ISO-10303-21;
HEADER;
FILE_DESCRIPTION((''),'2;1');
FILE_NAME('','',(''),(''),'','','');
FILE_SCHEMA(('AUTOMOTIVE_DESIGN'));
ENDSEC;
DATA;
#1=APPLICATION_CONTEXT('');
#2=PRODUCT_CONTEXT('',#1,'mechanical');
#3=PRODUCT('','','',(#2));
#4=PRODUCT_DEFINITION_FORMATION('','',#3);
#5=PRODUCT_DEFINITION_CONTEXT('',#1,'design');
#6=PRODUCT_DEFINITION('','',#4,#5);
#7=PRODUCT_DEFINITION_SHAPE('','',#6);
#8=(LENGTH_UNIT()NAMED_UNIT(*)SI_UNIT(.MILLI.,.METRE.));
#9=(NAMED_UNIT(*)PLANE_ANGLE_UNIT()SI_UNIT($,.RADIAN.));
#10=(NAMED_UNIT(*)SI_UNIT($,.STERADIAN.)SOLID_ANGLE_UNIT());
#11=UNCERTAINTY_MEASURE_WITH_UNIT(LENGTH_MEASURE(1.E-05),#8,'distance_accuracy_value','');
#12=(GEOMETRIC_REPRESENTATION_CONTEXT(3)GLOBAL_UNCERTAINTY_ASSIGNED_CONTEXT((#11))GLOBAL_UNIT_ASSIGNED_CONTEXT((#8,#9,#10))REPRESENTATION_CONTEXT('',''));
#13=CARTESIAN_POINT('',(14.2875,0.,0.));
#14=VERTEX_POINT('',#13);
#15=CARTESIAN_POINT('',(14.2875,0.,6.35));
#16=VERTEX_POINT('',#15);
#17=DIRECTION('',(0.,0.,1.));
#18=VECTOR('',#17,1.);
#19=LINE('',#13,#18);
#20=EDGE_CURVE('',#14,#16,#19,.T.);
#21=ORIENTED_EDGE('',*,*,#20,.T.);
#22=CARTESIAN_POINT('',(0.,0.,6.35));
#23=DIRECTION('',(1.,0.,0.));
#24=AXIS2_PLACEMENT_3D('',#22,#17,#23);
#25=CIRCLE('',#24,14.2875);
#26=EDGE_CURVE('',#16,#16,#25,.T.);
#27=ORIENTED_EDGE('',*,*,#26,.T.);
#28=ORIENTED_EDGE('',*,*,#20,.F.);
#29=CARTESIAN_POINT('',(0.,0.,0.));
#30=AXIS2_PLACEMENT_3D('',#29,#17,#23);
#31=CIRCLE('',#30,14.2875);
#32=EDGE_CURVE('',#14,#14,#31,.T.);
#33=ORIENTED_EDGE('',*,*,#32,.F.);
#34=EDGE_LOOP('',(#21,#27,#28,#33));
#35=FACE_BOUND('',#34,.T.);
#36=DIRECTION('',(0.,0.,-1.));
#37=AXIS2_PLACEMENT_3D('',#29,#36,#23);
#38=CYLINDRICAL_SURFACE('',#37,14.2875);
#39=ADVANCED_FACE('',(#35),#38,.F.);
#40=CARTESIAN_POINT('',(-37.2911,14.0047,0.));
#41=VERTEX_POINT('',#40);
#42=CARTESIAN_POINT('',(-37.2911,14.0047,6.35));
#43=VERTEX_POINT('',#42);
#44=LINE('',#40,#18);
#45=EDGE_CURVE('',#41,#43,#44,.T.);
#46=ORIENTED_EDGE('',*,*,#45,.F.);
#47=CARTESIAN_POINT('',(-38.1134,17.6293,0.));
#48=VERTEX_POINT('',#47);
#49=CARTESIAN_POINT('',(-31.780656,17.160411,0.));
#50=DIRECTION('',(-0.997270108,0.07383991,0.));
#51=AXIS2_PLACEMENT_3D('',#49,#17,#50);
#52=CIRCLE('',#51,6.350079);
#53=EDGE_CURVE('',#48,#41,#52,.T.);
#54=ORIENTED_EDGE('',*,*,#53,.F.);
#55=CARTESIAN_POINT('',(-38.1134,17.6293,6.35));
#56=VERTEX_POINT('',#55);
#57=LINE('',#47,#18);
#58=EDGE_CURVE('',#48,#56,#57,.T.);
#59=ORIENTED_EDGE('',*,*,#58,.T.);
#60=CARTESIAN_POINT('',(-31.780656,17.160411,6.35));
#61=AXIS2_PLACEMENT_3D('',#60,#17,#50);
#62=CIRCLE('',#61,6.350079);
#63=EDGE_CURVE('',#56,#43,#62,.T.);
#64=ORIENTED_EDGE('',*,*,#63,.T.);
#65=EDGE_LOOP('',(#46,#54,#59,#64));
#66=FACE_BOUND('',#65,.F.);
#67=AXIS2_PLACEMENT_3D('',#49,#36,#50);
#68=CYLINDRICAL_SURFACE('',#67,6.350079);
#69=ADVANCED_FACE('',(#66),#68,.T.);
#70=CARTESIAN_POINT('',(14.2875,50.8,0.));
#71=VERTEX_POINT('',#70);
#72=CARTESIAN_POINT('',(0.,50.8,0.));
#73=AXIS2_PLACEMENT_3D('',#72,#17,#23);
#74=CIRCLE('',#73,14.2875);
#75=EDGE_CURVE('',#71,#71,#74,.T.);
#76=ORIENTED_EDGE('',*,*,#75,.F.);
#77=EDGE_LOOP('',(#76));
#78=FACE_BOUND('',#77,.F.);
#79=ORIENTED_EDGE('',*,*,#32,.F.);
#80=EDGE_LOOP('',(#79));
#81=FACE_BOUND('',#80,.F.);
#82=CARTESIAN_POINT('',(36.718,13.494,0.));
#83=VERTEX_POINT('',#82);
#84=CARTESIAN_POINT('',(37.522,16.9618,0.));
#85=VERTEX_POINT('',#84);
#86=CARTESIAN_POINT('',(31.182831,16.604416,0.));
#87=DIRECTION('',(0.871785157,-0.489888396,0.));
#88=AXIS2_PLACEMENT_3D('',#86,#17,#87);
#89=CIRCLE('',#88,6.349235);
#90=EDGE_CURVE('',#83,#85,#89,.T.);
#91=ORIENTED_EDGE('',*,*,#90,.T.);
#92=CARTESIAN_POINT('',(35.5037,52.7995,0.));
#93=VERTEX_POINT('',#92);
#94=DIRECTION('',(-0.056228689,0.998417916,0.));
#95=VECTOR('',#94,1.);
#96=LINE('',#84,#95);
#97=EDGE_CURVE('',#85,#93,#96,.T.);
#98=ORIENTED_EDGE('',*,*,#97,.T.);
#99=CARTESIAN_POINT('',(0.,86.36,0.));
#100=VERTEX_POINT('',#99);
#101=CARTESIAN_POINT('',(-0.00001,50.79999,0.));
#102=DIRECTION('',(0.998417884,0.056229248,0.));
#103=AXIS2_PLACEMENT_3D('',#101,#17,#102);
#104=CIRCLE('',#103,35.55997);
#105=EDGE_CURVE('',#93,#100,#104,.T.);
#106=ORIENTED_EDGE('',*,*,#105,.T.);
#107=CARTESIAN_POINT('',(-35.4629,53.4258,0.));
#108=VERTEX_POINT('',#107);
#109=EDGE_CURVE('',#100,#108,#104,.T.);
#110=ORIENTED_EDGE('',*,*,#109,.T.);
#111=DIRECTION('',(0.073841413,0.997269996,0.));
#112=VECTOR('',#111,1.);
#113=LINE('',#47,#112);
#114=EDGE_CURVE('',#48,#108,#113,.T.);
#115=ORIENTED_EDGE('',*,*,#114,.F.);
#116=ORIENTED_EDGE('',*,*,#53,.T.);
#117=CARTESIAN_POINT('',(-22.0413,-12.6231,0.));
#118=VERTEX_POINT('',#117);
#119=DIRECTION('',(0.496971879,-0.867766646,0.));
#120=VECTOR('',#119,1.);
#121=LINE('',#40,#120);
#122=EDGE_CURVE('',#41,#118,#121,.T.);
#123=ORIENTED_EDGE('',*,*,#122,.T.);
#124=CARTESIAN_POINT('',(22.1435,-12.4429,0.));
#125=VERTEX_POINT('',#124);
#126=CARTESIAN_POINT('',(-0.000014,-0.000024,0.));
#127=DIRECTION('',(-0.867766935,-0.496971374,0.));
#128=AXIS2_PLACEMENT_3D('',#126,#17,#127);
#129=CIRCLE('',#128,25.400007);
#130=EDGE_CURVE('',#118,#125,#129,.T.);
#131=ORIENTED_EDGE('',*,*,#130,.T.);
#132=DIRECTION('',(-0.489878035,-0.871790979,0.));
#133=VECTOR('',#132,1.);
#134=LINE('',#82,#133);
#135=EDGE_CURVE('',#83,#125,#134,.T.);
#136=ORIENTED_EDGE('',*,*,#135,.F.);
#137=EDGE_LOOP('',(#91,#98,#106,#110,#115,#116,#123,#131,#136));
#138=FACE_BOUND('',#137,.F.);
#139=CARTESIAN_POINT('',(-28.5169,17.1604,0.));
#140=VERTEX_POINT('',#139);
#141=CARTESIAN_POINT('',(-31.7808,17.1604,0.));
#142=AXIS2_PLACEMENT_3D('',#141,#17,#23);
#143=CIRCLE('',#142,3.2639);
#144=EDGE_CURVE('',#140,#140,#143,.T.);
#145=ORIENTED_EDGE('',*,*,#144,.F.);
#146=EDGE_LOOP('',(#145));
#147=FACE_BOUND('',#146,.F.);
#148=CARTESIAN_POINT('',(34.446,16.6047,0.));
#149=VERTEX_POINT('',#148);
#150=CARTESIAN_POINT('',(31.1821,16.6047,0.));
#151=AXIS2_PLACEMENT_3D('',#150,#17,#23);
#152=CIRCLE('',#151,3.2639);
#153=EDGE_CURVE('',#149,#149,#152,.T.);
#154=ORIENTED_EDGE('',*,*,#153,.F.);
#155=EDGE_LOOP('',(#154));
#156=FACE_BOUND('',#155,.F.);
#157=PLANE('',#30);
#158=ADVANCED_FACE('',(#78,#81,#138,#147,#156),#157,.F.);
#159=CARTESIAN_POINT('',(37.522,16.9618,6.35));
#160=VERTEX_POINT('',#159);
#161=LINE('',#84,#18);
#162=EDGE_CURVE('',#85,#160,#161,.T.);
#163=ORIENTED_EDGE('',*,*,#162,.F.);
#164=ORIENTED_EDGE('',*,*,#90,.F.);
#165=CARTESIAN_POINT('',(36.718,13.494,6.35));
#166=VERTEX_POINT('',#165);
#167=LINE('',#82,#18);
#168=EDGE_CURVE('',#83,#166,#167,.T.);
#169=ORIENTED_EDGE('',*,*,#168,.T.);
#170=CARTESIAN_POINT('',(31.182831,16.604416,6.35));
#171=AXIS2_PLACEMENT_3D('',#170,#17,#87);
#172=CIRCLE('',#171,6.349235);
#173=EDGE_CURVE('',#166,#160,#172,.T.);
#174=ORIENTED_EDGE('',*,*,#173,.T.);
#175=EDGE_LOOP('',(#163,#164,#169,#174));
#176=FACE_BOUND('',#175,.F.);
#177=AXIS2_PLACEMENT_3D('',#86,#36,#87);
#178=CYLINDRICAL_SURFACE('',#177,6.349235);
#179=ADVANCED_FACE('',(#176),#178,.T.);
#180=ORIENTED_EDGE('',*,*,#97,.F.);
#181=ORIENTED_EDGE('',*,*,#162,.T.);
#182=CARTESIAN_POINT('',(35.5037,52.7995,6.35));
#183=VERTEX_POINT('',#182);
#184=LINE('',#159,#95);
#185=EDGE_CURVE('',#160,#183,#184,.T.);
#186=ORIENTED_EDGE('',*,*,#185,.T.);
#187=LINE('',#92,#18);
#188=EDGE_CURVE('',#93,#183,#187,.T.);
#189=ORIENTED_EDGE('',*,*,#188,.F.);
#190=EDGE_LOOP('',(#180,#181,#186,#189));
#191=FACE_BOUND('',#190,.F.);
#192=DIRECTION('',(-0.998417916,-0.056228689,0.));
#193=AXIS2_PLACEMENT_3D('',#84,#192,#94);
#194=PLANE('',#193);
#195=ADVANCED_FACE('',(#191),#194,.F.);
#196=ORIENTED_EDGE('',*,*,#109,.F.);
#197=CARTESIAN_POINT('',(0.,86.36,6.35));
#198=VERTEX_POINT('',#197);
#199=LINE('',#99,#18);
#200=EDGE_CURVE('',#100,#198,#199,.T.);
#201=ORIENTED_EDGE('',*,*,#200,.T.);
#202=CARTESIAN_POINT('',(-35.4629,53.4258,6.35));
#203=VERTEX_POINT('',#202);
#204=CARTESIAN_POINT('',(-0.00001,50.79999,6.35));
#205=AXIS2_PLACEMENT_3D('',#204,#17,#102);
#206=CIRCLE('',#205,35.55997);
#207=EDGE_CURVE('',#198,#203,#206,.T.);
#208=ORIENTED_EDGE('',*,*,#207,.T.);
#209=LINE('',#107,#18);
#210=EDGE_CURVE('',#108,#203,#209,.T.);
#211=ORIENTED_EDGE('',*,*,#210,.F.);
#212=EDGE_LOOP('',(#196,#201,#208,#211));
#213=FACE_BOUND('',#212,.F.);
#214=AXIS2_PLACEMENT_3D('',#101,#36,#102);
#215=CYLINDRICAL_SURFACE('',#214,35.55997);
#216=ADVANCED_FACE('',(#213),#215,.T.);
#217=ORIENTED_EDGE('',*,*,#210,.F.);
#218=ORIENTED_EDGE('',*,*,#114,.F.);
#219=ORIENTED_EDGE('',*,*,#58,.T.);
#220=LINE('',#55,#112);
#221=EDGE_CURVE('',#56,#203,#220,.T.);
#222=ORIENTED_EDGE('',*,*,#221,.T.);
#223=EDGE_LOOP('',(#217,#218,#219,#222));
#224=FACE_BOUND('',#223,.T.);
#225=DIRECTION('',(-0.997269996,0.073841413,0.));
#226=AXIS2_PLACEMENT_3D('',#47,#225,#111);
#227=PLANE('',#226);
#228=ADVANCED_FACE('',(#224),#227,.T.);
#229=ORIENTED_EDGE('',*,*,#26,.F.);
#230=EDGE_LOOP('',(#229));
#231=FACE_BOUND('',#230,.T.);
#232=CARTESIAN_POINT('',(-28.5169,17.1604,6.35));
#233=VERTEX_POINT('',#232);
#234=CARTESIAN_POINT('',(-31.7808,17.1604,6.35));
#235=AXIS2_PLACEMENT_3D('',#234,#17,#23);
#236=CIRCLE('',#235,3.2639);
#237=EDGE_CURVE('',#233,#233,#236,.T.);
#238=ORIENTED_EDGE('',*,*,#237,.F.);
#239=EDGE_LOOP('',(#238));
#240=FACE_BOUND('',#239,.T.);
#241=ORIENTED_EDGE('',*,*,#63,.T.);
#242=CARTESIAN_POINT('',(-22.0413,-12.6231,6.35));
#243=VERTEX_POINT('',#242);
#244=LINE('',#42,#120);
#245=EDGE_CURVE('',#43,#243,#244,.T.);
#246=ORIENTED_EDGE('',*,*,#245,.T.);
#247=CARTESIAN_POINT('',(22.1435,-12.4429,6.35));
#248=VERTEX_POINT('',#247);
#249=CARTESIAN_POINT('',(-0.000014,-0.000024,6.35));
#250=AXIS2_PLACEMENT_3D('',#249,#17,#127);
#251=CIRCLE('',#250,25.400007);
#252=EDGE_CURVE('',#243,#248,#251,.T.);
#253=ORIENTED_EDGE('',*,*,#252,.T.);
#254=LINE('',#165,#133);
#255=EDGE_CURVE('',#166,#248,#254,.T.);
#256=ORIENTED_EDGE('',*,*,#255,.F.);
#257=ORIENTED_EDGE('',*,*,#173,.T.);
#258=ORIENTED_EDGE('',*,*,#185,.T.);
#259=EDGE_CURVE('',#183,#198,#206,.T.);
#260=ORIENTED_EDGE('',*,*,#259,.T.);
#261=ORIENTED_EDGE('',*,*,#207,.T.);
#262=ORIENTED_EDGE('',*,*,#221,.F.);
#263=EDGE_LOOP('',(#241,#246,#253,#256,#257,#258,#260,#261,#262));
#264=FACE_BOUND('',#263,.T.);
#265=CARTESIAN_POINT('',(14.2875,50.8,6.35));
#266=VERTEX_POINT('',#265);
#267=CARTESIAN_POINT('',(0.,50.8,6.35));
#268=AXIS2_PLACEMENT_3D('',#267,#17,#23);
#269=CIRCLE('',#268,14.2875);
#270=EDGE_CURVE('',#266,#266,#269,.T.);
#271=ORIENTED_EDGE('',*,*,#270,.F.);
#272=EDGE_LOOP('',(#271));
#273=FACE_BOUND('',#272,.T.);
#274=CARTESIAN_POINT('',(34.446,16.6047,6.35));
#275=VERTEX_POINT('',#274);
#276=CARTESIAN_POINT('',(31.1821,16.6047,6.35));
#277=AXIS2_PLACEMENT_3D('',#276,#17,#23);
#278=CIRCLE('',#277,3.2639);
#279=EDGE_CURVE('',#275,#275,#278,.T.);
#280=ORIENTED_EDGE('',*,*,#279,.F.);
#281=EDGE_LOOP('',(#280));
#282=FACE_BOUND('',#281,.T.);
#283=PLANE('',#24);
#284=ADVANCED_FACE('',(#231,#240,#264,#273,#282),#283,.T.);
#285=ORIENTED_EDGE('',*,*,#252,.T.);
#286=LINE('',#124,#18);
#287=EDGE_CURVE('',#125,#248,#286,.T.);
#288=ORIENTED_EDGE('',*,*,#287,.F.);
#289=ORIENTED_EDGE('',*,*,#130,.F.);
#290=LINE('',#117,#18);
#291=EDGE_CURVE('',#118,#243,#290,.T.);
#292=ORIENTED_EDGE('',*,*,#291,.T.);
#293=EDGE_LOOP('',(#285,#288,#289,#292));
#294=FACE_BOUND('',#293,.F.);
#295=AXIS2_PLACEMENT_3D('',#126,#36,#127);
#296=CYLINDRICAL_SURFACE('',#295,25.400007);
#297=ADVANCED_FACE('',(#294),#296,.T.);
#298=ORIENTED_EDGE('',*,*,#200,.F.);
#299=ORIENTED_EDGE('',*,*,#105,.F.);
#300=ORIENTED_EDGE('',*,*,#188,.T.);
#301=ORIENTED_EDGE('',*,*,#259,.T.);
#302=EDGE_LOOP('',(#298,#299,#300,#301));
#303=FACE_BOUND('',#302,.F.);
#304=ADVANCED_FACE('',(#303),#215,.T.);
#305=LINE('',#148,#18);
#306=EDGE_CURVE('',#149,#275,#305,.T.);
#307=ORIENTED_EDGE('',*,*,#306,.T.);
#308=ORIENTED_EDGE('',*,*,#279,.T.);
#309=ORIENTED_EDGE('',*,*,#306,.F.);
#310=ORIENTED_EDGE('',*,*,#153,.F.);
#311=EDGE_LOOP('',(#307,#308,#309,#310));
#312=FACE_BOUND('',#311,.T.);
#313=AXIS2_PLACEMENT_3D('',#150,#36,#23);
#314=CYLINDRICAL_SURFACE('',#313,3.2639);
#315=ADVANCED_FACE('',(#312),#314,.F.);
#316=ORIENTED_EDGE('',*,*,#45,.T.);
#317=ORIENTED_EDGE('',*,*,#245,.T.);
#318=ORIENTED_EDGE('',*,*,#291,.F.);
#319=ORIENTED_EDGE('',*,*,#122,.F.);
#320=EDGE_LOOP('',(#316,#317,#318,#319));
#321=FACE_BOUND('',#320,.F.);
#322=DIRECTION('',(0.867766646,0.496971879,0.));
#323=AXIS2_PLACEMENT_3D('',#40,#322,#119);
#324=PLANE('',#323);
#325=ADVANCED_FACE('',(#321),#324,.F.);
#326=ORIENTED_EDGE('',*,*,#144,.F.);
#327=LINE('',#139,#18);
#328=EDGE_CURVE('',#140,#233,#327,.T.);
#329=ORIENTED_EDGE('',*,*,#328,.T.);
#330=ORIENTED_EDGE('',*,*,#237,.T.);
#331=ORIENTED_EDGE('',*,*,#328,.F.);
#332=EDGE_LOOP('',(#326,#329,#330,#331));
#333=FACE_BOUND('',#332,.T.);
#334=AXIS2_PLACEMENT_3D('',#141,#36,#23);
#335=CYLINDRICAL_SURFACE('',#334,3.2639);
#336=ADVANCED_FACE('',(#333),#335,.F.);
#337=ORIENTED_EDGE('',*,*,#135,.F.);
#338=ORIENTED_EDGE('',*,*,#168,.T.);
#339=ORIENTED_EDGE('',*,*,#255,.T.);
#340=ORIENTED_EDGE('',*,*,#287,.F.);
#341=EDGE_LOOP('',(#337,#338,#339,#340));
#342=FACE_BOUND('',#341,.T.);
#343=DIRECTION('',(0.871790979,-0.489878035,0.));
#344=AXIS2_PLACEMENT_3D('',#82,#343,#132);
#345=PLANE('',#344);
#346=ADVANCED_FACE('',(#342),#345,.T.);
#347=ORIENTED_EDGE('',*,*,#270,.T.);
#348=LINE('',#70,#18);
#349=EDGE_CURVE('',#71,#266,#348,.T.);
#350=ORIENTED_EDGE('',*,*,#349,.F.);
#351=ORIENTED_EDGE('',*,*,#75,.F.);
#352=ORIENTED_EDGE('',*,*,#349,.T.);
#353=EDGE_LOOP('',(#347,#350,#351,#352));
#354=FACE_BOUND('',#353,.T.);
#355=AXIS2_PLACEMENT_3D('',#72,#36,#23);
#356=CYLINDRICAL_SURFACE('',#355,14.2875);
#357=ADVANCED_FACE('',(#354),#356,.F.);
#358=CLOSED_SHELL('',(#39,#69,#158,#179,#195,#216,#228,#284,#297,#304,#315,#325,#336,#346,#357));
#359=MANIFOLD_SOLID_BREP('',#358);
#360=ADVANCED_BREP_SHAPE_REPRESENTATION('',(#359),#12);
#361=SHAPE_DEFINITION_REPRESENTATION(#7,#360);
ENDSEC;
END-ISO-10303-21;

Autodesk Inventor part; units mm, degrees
ref_plane "YZ Plane" through (0, 0, 0) normal (1, 0, 0) x (0, 1, 0)
ref_plane "XZ Plane" through (0, 0, 0) normal (0, 1, 0) x (-1, 0, 0)
ref_plane "XY Plane" through (0, 0, 0) normal (0, 0, 1) x (1, 0, 0)
sketch "Sketch1" plane through (0, 0, 0) normal (0, 0, 1) x (1, 0, 0)
  circle A0 centre (0, 0) radius 14.2875
  circle A1 centre (0, 0) radius 20.32 construction
  circle A2 centre (0, 50.8) radius 30.48 construction
  circle A3 centre (0, 50.8) radius 14.2875
  circle A4 centre (0, 50.8) radius 35.56 construction
  line L0 (0, 81.28) -> (0, 86.36)
  circle A5 centre (0, 0) radius 25.4 construction
  line L1 (0, 20.32) -> (0, 25.4) construction
  circle A6 centre (-31.7808, 17.1604) radius 6.35 construction
  circle A7 centre (31.1821, 16.6047) radius 6.35 construction
  line L2 (-27.42, 21.7763) -> (-24.4204, 24.9513) construction
  line L3 (-26.1933, 14.1434) -> (-22.3499, 12.0681) construction
  line L4 (26.8213, 11.9889) -> (23.8217, 8.8139) construction
  line L5 (26.9034, 21.2968) -> (23.9604, 24.5243) construction
  circle A8 centre (-31.7808, 17.1604) radius 3.2639
  circle A9 centre (31.1821, 16.6047) radius 3.2639
  line L6 (-37.2911, 14.0047) -> (-22.0413, -12.6231)
  line L7 (36.718, 13.494) -> (22.1435, -12.4429)
  line L8 (-38.1134, 17.6293) -> (-35.4629, 53.4258)
  line L9 (37.522, 16.9618) -> (35.5037, 52.7995)
  arc A10 (-38.1134, 17.6293) -> (-37.2911, 14.0047) centre (-31.7808, 17.1604) ccw
  arc A11 (36.718, 13.494) -> (37.522, 16.9618) centre (31.1821, 16.6047) ccw
  arc A12 (35.5037, 52.7995) -> (-35.4629, 53.4258) centre (0, 50.8) ccw
  arc A13 (-22.0413, -12.6231) -> (22.1435, -12.4429) centre (0, 0) ccw
  dimension "d1" = 40.64
  dimension "d0" = 28.575
  dimension "d2" = 60.96
  dimension "d3" = 28.575
  dimension "d4" = 5.08
  dimension "d5" = 71.12
  dimension "d6" = 5.08
  dimension "d9" = 12.7
  dimension "d10" = 3.175
  dimension "d11" = 6.5278
  dimension "d12" = 6.5278
extrude "Extrusion2" add sketch "Sketch1" along normal blind 6.35
properties part number "BottomPlate" material "Aluminum 6061"
